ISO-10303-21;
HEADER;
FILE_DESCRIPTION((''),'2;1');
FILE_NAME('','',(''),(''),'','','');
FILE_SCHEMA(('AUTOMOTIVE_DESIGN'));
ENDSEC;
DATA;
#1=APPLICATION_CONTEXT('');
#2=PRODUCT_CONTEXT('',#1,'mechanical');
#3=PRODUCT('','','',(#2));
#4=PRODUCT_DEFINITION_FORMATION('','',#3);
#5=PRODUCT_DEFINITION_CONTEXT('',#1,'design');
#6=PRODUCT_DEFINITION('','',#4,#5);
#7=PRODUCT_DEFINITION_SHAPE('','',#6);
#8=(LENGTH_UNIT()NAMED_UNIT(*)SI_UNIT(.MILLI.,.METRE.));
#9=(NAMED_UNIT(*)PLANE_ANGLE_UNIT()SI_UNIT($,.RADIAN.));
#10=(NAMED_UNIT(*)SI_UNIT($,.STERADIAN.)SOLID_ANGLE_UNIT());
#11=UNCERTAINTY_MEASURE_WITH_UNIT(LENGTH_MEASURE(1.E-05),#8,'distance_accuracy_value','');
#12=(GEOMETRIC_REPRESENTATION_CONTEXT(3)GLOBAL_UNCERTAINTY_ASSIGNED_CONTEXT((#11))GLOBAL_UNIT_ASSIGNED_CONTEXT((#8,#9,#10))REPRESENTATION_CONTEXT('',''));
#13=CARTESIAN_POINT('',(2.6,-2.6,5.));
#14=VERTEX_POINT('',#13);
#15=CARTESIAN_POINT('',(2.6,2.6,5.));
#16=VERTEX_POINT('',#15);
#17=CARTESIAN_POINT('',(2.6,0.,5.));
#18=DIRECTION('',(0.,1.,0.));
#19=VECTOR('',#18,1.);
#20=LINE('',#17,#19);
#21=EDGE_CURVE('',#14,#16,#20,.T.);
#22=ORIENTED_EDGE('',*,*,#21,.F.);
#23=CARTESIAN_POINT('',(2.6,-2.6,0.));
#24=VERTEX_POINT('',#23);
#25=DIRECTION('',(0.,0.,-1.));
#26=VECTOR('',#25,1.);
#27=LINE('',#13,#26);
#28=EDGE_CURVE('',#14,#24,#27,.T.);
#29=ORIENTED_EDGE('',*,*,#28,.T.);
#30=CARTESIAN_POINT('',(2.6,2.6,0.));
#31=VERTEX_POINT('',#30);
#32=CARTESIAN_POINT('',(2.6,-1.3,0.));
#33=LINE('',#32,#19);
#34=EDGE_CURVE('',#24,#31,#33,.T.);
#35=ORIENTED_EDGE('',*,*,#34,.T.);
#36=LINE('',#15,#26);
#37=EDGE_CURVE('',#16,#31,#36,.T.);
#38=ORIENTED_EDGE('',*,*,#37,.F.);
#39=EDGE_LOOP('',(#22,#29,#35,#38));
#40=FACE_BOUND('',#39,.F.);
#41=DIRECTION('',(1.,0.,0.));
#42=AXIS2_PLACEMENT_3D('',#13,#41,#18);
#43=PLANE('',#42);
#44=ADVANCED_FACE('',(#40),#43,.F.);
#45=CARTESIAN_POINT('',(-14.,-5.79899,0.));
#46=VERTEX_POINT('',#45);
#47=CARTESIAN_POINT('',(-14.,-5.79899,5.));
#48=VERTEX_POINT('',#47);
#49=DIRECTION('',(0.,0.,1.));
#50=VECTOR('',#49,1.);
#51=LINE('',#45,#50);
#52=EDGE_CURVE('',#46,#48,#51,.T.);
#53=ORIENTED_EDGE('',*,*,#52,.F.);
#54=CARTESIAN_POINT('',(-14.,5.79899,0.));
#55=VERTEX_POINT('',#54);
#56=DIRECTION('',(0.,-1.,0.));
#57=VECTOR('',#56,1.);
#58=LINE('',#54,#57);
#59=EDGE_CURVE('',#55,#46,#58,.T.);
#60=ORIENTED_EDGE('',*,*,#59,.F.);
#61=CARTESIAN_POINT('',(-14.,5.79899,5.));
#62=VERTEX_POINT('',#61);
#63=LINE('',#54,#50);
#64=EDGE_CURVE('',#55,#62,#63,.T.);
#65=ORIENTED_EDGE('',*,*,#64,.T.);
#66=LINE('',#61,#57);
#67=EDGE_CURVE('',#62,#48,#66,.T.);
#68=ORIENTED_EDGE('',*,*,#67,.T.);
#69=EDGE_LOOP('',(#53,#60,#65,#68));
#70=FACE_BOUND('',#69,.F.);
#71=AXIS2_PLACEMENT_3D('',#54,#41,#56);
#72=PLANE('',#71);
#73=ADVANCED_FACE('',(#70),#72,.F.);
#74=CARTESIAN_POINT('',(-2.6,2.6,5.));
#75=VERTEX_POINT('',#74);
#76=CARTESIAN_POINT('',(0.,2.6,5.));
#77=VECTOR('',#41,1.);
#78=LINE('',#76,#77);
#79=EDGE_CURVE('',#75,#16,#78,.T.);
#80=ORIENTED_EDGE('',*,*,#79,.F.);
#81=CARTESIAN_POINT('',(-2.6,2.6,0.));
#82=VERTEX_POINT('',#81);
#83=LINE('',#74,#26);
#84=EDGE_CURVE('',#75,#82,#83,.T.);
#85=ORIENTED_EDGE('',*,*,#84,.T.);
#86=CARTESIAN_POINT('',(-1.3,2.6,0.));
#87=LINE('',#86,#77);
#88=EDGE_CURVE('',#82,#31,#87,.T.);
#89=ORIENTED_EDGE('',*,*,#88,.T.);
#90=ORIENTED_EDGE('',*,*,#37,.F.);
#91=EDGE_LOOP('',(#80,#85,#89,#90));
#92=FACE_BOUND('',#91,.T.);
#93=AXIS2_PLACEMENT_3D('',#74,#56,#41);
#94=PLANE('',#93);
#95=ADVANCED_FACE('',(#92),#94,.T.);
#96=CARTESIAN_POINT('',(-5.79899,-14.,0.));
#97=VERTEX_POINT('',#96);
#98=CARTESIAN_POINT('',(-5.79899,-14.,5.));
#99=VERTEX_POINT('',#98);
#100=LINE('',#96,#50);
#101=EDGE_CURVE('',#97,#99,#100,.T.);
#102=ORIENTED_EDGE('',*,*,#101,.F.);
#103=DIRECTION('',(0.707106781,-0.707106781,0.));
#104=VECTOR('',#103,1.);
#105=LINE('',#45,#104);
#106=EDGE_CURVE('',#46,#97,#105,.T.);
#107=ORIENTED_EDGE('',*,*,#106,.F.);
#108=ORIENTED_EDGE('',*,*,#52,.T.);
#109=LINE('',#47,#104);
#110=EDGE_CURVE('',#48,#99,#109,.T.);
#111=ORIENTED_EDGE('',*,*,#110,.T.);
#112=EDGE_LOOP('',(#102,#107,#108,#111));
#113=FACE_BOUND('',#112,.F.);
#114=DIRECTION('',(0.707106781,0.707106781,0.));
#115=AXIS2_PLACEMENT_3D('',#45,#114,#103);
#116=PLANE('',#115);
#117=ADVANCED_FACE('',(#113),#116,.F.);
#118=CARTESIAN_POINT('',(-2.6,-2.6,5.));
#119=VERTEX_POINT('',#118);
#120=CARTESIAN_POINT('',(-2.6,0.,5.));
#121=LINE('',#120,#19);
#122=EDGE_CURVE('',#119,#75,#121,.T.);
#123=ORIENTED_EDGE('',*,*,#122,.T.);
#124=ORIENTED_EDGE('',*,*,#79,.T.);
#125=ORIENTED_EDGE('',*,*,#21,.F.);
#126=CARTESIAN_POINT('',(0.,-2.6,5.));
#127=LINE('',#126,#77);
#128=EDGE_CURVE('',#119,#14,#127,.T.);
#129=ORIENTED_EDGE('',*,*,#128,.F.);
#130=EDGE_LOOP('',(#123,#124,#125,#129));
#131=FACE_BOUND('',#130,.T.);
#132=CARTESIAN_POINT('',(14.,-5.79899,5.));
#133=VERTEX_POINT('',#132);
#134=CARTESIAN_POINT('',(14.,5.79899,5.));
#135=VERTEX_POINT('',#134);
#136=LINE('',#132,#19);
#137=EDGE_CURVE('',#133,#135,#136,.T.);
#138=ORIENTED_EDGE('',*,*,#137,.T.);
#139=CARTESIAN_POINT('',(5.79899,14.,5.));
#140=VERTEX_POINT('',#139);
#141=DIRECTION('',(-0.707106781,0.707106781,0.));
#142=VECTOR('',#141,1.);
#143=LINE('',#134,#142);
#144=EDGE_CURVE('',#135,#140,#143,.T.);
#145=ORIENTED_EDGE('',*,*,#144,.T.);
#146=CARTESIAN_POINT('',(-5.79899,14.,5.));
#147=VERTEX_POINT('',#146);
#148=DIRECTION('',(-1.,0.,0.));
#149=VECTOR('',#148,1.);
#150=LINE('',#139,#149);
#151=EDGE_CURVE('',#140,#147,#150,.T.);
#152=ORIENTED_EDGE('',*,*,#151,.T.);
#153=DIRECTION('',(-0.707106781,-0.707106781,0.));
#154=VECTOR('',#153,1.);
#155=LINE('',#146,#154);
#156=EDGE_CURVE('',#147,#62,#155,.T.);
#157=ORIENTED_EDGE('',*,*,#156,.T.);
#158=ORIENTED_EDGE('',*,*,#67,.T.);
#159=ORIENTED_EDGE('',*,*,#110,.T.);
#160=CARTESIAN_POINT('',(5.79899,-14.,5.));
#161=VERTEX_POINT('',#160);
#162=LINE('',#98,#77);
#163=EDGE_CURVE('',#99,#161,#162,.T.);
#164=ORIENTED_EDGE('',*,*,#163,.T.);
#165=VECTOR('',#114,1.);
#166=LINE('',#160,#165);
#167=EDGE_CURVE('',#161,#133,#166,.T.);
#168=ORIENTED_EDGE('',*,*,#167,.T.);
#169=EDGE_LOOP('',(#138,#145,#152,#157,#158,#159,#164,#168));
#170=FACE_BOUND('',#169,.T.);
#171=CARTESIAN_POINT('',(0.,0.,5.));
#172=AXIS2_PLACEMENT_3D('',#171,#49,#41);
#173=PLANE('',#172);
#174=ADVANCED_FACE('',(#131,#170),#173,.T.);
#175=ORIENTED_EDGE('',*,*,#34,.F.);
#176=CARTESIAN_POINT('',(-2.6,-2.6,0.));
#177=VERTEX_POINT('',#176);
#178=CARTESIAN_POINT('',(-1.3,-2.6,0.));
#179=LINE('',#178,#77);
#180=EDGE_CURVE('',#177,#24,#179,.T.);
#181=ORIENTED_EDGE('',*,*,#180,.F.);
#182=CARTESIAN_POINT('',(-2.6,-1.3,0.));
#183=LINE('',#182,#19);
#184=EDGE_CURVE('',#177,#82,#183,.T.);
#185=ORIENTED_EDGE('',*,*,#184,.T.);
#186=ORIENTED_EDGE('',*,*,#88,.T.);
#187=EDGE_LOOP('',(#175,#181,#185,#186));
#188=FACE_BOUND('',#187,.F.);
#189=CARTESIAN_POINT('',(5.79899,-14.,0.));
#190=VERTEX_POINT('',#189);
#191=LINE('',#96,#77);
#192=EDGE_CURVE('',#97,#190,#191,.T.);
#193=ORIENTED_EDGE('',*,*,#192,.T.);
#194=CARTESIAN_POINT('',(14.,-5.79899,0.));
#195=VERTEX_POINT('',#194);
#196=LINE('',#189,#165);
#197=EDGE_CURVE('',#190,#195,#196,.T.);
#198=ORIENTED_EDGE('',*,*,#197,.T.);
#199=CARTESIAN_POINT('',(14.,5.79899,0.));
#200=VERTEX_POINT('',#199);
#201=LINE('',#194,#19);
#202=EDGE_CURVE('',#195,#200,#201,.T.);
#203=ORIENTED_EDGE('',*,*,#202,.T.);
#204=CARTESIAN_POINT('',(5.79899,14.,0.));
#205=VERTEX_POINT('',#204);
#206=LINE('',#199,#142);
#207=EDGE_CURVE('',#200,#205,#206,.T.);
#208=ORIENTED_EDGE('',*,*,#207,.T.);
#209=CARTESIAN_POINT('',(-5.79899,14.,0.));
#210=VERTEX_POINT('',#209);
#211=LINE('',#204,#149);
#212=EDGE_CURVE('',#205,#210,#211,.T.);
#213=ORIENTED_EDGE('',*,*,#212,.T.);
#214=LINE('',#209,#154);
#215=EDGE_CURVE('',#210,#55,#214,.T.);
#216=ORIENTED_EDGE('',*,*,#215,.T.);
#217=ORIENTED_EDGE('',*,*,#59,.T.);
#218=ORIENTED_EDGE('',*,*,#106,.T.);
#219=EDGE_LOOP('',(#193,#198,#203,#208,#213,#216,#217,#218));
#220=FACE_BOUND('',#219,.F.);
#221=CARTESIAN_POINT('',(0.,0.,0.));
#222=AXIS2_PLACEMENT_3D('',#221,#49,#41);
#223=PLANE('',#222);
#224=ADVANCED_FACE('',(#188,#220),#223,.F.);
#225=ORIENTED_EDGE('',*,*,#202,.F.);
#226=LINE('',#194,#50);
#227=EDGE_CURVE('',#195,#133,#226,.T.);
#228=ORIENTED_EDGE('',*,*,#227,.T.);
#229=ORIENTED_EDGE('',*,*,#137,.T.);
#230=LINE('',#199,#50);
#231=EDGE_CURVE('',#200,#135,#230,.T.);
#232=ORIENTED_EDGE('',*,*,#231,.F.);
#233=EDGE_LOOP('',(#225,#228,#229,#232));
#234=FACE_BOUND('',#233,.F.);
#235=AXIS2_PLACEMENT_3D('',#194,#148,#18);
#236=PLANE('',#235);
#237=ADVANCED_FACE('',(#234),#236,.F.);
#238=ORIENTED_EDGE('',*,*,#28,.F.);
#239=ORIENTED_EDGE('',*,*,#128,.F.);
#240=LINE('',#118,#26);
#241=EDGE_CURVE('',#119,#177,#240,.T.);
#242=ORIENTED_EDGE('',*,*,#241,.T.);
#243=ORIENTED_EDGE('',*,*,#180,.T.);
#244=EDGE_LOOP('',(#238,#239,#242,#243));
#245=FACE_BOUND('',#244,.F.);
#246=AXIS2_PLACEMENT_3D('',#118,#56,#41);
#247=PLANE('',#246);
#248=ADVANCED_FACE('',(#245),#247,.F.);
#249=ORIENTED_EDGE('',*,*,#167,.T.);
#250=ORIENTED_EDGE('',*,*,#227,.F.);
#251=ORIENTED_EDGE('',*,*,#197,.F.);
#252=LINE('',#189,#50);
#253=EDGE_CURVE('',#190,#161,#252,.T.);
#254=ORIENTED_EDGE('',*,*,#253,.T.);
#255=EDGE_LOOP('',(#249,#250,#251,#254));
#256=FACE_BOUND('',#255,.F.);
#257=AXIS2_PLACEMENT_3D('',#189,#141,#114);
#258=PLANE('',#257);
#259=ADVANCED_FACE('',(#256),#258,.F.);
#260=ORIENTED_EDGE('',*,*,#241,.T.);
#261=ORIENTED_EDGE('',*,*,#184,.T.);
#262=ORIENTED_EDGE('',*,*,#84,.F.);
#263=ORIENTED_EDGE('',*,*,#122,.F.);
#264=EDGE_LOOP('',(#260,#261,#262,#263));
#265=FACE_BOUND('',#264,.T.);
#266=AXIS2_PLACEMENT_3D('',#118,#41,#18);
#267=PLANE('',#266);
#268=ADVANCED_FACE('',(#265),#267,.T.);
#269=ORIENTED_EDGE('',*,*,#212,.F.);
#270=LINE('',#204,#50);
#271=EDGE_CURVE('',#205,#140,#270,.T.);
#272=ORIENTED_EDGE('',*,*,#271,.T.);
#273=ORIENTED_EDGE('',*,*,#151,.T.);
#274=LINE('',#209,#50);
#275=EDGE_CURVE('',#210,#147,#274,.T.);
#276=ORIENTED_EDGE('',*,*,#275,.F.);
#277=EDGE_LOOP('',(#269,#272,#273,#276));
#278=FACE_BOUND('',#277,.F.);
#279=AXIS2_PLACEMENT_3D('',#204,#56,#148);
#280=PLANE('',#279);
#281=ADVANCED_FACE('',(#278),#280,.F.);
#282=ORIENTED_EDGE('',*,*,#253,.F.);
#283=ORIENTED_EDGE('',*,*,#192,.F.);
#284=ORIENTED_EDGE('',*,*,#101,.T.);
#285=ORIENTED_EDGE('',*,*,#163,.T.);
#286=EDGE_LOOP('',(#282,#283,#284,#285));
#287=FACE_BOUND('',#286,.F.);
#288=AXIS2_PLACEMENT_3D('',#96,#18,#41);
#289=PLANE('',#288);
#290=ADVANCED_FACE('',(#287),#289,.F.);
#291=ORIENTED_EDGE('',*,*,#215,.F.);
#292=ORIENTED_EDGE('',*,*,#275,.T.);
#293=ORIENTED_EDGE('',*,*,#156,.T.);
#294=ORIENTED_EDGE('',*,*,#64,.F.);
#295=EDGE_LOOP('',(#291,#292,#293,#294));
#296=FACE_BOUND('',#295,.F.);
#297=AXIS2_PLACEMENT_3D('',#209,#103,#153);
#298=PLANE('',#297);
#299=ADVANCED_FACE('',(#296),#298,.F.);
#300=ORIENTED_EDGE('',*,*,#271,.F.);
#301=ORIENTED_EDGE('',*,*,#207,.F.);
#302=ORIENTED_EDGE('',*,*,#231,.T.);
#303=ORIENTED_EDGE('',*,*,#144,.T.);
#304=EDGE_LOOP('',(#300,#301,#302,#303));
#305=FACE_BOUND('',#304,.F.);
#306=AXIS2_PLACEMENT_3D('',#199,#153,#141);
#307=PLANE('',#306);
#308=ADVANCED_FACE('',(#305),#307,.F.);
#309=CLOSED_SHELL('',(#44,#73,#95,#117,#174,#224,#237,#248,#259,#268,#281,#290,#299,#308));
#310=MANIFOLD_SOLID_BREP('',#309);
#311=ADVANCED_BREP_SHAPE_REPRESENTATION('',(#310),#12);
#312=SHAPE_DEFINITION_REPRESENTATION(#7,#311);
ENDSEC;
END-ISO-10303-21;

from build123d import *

# Parameters (mm, degrees)
F1_DEPTH = 5
F2_W     = 5.2
F2_H     = 5.2
F3_DEPTH = 25


with BuildPart() as f1:
    # F0 (on Top) → F1 (new body)
    with BuildSketch(Plane.XY):
        Polygon((-5.79899, -14), (5.79899, -14), (14, -5.79899), (14, 5.79899), (5.79899, 14), (-5.79899, 14), (-14, 5.79899), (-14, -5.79899), align=None)
    extrude(amount=F1_DEPTH)

    # F2 (on face) → F3 (cut)
    with BuildSketch(Plane.XY.offset(5)):
        Rectangle(F2_W, F2_H)
    extrude(amount=-F3_DEPTH, mode=Mode.SUBTRACT)


solid = f1.part
